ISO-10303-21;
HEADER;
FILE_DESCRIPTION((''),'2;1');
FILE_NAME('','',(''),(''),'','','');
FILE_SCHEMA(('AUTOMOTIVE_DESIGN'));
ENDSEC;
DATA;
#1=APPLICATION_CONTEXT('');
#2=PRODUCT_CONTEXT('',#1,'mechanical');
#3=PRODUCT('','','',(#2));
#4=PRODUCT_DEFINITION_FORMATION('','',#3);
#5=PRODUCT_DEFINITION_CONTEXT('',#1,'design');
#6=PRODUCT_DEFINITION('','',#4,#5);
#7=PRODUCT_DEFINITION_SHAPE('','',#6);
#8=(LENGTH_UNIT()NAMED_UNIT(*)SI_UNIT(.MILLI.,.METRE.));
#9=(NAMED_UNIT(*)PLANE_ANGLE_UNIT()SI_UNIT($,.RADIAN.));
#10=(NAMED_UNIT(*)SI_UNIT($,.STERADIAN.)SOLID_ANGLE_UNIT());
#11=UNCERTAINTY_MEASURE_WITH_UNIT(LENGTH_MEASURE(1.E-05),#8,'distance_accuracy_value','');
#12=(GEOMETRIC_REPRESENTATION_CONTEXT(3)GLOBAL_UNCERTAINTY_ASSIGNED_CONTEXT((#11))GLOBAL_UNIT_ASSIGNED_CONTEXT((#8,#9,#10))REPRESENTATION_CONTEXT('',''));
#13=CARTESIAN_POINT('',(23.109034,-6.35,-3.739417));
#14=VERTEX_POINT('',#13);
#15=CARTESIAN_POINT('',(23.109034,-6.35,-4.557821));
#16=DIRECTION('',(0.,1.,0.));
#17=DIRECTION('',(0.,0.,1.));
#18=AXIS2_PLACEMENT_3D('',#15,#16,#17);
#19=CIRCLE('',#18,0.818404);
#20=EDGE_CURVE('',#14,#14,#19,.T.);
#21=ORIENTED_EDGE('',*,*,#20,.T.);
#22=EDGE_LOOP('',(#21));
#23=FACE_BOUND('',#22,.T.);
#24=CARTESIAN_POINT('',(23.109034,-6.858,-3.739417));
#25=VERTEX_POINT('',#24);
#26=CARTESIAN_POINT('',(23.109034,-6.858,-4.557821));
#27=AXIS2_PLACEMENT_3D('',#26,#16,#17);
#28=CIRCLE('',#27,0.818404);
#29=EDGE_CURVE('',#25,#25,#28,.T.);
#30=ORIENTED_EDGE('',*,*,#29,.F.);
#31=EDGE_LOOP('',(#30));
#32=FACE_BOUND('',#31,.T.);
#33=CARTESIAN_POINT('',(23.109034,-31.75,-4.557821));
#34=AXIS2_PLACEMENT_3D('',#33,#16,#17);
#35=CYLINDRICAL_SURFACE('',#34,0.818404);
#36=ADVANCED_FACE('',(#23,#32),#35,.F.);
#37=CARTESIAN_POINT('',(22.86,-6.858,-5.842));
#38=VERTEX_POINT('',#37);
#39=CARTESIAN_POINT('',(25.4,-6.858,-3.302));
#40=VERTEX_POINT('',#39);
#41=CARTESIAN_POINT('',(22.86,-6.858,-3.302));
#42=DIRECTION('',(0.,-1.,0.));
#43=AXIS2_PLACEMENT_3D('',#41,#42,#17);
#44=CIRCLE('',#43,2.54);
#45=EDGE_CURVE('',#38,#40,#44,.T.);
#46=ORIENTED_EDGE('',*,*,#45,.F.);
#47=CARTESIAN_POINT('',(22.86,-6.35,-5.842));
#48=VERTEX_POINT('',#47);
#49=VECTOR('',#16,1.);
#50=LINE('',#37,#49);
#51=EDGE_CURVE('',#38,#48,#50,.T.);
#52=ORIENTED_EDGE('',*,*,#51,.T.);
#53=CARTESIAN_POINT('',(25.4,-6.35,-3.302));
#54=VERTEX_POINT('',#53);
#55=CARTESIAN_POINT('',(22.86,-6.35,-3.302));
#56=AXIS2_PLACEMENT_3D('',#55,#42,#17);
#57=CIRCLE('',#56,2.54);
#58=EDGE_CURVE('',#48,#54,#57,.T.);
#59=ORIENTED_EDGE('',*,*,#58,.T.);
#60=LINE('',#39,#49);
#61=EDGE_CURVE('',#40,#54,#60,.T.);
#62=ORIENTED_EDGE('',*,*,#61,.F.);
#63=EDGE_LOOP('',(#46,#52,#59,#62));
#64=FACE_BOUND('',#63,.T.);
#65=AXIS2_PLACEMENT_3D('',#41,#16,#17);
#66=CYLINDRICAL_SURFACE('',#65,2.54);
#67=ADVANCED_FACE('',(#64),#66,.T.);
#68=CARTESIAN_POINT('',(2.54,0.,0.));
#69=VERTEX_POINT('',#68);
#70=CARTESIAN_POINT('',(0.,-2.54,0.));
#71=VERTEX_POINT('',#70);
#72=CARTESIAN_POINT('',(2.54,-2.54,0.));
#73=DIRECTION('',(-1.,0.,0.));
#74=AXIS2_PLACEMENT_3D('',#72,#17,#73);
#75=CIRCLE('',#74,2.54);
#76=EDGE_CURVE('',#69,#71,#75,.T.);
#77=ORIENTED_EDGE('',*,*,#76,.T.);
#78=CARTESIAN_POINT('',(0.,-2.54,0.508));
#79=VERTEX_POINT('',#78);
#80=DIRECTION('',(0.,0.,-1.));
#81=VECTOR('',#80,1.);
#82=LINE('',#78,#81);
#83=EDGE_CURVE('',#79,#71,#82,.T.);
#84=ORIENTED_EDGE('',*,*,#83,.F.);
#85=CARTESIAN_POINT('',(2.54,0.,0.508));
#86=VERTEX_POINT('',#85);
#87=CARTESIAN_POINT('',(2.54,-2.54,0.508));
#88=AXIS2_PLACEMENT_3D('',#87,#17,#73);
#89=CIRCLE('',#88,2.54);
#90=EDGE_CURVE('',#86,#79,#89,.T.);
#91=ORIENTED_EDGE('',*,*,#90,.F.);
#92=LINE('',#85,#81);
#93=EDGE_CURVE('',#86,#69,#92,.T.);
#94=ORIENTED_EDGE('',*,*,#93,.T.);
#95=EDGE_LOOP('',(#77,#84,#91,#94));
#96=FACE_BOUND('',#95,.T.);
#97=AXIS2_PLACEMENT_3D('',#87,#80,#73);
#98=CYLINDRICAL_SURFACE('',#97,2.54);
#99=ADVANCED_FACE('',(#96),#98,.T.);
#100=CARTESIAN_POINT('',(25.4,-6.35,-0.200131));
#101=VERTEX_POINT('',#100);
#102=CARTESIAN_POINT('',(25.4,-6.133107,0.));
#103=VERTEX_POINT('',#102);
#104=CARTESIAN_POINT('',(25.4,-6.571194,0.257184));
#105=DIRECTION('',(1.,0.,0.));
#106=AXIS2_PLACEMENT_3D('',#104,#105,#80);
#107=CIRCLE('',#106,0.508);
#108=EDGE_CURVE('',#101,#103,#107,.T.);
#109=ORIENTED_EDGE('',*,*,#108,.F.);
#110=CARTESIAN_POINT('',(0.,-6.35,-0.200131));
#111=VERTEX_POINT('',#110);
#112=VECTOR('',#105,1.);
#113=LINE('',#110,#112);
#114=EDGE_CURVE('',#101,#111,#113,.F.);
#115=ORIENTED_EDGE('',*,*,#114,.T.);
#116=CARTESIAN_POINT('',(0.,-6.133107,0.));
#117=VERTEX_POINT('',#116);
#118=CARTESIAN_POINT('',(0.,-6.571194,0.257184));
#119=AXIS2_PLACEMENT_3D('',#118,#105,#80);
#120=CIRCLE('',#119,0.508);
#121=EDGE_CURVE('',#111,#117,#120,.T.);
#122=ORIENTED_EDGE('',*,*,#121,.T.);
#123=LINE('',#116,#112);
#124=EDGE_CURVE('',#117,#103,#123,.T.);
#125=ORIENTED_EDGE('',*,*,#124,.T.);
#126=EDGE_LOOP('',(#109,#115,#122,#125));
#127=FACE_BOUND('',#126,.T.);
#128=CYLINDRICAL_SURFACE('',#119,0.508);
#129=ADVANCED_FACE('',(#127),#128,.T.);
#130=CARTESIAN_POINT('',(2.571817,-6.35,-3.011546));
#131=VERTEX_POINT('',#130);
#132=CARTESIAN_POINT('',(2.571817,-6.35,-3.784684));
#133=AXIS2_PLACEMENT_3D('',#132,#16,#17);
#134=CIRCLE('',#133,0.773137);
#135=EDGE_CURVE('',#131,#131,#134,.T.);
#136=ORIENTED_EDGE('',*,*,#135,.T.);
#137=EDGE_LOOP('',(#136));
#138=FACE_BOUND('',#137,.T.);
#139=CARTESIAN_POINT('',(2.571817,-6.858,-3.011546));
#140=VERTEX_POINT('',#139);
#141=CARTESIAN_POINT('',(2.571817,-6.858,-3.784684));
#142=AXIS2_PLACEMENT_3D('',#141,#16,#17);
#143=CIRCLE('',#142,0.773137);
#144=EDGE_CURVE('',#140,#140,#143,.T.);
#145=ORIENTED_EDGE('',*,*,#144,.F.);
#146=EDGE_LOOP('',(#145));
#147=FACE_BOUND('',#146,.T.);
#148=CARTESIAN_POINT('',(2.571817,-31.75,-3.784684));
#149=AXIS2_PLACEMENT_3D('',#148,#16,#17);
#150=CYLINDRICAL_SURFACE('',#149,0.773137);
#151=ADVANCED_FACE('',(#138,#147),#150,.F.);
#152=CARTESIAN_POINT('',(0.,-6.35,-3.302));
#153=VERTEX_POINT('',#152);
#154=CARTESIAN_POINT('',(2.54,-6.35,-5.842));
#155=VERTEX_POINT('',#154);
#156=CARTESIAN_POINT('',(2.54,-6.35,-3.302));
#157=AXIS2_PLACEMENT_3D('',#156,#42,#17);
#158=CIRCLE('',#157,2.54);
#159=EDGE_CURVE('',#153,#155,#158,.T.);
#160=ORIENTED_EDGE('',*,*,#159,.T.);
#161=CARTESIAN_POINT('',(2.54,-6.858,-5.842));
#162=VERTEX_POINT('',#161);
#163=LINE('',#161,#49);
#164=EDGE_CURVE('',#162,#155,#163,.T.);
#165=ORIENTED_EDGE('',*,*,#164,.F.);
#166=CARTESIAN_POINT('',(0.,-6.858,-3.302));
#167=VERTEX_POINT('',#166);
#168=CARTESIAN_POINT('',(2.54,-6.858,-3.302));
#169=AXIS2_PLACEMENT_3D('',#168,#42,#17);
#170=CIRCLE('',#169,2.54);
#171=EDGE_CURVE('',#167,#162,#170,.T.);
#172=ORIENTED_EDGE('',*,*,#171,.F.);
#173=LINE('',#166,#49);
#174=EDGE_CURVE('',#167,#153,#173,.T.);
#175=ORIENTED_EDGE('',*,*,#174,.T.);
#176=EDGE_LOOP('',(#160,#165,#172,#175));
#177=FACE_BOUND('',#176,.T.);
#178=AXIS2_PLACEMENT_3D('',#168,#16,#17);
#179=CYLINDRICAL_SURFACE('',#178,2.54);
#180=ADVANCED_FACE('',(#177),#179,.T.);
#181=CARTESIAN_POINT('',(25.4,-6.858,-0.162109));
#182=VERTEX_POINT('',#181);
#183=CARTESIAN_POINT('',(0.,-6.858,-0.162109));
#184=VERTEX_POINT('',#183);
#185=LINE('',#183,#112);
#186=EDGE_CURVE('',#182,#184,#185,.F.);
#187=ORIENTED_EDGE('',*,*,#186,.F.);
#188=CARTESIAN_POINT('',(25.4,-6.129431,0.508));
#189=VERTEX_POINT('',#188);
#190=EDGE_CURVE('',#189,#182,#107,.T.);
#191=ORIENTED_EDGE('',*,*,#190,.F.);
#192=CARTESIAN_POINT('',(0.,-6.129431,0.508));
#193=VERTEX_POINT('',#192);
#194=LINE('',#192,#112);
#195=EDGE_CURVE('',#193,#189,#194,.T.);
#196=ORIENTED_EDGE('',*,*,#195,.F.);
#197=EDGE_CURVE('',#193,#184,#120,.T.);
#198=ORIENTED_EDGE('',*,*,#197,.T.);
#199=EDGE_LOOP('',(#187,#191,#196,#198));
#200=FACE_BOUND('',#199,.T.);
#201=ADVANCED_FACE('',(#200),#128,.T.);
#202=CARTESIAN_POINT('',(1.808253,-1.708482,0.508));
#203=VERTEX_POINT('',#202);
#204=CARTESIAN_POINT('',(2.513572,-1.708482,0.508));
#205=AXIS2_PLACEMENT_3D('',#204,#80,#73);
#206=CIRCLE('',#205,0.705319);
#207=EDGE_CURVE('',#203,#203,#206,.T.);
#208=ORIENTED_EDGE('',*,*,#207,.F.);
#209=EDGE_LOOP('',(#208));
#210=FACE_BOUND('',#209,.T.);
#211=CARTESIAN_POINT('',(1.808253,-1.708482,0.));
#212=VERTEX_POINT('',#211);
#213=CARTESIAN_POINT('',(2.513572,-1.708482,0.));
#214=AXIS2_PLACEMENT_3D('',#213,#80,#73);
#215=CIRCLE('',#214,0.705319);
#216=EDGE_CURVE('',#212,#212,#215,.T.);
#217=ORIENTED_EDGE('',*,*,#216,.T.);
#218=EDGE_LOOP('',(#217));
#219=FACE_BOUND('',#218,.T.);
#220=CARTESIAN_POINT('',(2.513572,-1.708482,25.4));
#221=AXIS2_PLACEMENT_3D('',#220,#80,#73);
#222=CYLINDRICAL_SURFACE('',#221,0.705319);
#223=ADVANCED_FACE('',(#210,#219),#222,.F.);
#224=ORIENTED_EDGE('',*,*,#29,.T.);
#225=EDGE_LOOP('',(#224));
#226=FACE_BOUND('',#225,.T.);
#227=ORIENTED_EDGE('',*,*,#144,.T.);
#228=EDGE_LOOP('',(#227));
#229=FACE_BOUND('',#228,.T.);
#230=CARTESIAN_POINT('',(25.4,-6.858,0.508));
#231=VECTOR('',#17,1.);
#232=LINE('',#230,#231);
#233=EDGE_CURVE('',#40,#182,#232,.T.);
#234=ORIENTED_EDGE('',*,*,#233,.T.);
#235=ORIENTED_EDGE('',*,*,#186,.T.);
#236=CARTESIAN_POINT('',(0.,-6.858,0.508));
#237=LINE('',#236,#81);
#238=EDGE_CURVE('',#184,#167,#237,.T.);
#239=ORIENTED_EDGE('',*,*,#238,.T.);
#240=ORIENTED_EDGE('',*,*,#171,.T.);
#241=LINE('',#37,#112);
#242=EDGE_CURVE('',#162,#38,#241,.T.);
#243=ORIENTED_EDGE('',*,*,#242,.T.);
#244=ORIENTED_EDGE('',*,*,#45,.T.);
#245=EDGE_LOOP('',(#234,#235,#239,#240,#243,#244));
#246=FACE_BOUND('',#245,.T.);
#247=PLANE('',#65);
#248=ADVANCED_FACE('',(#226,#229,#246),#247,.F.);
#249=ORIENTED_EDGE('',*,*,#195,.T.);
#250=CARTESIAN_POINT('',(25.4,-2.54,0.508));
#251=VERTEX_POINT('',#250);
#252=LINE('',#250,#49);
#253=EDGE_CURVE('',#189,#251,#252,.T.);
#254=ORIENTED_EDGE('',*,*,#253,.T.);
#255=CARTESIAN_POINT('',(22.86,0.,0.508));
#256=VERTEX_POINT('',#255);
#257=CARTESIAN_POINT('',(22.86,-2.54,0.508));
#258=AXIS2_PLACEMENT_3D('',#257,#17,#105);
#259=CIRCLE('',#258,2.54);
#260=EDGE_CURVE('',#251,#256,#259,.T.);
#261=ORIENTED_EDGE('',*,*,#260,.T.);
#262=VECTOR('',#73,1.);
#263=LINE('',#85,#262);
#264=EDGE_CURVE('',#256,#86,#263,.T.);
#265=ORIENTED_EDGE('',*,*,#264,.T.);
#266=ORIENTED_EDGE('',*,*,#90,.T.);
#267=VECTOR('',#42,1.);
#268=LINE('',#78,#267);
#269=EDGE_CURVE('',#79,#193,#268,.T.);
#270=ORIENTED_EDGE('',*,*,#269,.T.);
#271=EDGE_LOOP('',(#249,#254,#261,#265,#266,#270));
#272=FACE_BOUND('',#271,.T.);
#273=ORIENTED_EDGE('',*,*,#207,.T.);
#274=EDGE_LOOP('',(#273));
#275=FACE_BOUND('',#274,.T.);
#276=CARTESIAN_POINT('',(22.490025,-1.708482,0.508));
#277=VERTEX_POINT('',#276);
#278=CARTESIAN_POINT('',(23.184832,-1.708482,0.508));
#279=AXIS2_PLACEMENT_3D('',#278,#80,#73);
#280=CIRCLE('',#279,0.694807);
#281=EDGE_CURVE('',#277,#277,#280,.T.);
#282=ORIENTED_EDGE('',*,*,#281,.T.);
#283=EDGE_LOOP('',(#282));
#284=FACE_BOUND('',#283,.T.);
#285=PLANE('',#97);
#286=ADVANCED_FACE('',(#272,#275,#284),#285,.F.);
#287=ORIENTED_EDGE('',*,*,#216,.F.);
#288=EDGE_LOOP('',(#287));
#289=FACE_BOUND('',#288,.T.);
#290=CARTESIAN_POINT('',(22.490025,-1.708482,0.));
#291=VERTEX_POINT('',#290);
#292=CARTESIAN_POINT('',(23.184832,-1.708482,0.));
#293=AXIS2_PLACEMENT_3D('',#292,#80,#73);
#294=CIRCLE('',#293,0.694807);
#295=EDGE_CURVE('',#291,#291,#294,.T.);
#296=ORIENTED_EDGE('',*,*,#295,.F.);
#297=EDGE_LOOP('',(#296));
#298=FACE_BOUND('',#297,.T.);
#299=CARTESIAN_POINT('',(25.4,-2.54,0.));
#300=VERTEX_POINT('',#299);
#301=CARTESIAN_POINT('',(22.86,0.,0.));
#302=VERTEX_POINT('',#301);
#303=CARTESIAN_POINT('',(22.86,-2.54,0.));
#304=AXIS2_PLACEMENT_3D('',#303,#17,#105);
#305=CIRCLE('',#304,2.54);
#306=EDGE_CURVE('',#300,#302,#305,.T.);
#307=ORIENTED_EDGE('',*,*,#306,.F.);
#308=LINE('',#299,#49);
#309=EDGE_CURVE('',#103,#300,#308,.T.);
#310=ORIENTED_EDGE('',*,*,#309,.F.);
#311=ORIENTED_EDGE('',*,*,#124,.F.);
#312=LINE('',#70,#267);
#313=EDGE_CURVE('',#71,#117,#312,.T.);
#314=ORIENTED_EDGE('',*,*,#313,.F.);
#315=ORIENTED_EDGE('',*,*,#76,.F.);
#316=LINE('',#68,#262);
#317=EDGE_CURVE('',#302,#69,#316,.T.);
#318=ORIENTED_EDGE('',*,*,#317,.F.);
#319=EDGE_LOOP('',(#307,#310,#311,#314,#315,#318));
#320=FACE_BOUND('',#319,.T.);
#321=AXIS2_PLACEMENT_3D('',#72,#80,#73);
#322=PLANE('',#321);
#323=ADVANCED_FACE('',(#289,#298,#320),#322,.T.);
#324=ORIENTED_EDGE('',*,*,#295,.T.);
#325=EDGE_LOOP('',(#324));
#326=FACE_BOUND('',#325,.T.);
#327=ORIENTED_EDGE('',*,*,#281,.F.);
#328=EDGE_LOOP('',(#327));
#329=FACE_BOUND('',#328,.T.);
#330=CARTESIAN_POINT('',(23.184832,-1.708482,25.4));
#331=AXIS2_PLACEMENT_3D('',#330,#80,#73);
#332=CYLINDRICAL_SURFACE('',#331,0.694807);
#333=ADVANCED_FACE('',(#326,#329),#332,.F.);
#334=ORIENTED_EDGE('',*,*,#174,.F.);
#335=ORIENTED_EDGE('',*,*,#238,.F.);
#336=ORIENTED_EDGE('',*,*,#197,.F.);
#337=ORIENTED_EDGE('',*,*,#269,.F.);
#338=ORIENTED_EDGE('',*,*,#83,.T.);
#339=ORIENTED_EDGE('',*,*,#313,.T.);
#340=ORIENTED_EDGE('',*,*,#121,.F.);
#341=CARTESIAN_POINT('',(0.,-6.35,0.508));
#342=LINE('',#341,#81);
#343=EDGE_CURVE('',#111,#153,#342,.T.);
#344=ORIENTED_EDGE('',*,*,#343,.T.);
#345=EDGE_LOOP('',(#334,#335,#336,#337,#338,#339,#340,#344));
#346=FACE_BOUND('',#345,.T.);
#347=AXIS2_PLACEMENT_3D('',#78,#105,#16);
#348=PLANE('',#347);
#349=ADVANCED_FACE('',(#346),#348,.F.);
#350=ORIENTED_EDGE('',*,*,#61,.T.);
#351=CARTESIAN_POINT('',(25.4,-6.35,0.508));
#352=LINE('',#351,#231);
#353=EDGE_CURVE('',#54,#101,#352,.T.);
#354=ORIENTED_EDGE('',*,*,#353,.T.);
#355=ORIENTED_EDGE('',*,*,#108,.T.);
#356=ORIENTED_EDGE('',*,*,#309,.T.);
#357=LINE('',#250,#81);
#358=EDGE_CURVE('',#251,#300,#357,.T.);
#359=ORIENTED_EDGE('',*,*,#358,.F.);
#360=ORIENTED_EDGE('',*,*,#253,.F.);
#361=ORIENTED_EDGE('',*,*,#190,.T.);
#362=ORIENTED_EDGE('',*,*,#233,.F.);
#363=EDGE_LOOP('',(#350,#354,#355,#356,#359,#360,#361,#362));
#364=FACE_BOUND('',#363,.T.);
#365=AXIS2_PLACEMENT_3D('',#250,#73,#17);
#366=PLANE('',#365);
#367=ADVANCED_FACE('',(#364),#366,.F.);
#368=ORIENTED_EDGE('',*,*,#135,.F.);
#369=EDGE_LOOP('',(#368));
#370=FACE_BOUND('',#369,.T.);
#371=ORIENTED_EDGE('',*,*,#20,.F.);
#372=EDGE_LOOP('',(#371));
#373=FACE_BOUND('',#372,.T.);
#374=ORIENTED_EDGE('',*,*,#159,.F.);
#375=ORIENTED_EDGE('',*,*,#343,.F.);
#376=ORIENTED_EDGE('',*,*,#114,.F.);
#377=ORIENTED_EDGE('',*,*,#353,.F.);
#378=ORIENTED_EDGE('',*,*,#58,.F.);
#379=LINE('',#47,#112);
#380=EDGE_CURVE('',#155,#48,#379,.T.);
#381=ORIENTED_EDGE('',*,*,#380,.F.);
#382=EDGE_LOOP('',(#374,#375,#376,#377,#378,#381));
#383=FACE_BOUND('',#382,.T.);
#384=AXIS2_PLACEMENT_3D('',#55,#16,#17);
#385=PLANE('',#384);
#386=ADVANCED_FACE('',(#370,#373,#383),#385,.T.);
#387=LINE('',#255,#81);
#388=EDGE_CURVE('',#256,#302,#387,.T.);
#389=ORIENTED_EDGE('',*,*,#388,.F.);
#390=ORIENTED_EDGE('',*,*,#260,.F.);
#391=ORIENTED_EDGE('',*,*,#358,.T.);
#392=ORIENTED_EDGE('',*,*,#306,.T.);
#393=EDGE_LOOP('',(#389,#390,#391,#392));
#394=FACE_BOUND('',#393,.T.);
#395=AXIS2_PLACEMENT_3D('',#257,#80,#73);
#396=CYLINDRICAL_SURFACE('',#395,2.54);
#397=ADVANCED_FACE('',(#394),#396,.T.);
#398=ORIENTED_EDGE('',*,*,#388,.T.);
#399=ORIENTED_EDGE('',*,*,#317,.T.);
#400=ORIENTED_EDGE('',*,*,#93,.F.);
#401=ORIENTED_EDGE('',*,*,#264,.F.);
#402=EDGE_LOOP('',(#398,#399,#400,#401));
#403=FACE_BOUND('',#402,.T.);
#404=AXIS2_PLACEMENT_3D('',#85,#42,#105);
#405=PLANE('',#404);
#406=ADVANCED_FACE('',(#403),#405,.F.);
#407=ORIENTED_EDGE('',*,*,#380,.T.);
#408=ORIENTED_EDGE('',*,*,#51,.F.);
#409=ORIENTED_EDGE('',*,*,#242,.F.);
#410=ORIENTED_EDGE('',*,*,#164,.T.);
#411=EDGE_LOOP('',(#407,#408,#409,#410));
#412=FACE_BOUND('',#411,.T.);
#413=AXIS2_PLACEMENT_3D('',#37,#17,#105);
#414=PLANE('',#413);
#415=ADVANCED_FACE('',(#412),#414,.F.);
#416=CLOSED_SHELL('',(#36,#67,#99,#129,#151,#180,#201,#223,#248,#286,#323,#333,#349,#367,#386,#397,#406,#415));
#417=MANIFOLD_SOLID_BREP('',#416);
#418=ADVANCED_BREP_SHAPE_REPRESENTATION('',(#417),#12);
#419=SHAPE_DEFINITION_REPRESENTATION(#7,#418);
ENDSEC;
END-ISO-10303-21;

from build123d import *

# Parameters (mm, degrees)
BOSS_EXTRUDE1_DEPTH = 0.508
BOSS_EXTRUDE2_DEPTH = 0.508
SKETCH3_R           = 0.508
BOSS_EXTRUDE3_DEPTH = 25.4
SKETCH4_R           = 0.694806542
SKETCH4_R_2         = 0.705318585
CUT_EXTRUDE1_DEPTH  = 25.4
SKETCH5_R           = 0.773137268
SKETCH5_R_2         = 0.818403862
CUT_EXTRUDE2_DEPTH  = 25.4


with BuildPart() as part:
    # Sketch1 → Boss-Extrude1 (new body)
    with BuildSketch(Plane.XY):
        with BuildLine():
            Line((2.54, 0), (22.86, 0))
            ThreePointArc((22.86, 0), (24.656051224, -0.743948776), (25.4, -2.54))
            Line((25.4, -2.54), (25.4, -6.35))
            Line((25.4, -6.35), (0, -6.35))
            Line((0, -6.35), (0, -2.54))
            ThreePointArc((0, -2.54), (0.743948776, -0.743948776), (2.54, 0))
        make_face()
    extrude(amount=BOSS_EXTRUDE1_DEPTH)

    # Sketch2 → Boss-Extrude2 (add)
    with BuildSketch(Plane.XZ.offset(6.35)):
        with BuildLine():
            Line((25.4, 0.508), (0, 0.508))
            Line((0, 0.508), (0, -3.302))
            ThreePointArc((0, -3.302), (0.743948776, -5.098051224), (2.54, -5.842))
            Line((2.54, -5.842), (22.86, -5.842))
            ThreePointArc((22.86, -5.842), (24.656051224, -5.098051224), (25.4, -3.302))
            Line((25.4, -3.302), (25.4, 0.508))
        make_face()
    extrude(amount=BOSS_EXTRUDE2_DEPTH)

    # Sketch3 → Boss-Extrude3 (add)
    with BuildSketch(Plane(origin=(25.4, 0, 0), x_dir=(0, 0, -1), z_dir=(1, 0, 0))):
        with Locations((-0.257183831, -6.571194295)):
            Circle(SKETCH3_R)
    extrude(amount=-BOSS_EXTRUDE3_DEPTH)

    # Sketch4 → Cut-Extrude1 (cut)
    with BuildSketch(Plane(origin=(0, 0, 0), x_dir=(-1, 0, 0), z_dir=(0, 0, -1))):
        with Locations((-23.184832038, -1.708481591)):
            Circle(SKETCH4_R)
        with Locations((-2.513571979, -1.708481591)):
            Circle(SKETCH4_R_2)
    extrude(amount=-CUT_EXTRUDE1_DEPTH, mode=Mode.SUBTRACT)

    # Sketch5 → Cut-Extrude2 (cut)
    with BuildSketch(Plane(origin=(0, -6.35, 0), x_dir=(1, 0, 0), z_dir=(0, 1, 0))):
        with Locations(Location((2.571816613, 3.784683683, 0), (0, 0, 270))):
            Circle(SKETCH5_R)
        with Locations(Location((23.109034226, 4.557820951, 0), (0, 0, 270))):
            Circle(SKETCH5_R_2)
    extrude(amount=-CUT_EXTRUDE2_DEPTH, mode=Mode.SUBTRACT)


solid = part.part
